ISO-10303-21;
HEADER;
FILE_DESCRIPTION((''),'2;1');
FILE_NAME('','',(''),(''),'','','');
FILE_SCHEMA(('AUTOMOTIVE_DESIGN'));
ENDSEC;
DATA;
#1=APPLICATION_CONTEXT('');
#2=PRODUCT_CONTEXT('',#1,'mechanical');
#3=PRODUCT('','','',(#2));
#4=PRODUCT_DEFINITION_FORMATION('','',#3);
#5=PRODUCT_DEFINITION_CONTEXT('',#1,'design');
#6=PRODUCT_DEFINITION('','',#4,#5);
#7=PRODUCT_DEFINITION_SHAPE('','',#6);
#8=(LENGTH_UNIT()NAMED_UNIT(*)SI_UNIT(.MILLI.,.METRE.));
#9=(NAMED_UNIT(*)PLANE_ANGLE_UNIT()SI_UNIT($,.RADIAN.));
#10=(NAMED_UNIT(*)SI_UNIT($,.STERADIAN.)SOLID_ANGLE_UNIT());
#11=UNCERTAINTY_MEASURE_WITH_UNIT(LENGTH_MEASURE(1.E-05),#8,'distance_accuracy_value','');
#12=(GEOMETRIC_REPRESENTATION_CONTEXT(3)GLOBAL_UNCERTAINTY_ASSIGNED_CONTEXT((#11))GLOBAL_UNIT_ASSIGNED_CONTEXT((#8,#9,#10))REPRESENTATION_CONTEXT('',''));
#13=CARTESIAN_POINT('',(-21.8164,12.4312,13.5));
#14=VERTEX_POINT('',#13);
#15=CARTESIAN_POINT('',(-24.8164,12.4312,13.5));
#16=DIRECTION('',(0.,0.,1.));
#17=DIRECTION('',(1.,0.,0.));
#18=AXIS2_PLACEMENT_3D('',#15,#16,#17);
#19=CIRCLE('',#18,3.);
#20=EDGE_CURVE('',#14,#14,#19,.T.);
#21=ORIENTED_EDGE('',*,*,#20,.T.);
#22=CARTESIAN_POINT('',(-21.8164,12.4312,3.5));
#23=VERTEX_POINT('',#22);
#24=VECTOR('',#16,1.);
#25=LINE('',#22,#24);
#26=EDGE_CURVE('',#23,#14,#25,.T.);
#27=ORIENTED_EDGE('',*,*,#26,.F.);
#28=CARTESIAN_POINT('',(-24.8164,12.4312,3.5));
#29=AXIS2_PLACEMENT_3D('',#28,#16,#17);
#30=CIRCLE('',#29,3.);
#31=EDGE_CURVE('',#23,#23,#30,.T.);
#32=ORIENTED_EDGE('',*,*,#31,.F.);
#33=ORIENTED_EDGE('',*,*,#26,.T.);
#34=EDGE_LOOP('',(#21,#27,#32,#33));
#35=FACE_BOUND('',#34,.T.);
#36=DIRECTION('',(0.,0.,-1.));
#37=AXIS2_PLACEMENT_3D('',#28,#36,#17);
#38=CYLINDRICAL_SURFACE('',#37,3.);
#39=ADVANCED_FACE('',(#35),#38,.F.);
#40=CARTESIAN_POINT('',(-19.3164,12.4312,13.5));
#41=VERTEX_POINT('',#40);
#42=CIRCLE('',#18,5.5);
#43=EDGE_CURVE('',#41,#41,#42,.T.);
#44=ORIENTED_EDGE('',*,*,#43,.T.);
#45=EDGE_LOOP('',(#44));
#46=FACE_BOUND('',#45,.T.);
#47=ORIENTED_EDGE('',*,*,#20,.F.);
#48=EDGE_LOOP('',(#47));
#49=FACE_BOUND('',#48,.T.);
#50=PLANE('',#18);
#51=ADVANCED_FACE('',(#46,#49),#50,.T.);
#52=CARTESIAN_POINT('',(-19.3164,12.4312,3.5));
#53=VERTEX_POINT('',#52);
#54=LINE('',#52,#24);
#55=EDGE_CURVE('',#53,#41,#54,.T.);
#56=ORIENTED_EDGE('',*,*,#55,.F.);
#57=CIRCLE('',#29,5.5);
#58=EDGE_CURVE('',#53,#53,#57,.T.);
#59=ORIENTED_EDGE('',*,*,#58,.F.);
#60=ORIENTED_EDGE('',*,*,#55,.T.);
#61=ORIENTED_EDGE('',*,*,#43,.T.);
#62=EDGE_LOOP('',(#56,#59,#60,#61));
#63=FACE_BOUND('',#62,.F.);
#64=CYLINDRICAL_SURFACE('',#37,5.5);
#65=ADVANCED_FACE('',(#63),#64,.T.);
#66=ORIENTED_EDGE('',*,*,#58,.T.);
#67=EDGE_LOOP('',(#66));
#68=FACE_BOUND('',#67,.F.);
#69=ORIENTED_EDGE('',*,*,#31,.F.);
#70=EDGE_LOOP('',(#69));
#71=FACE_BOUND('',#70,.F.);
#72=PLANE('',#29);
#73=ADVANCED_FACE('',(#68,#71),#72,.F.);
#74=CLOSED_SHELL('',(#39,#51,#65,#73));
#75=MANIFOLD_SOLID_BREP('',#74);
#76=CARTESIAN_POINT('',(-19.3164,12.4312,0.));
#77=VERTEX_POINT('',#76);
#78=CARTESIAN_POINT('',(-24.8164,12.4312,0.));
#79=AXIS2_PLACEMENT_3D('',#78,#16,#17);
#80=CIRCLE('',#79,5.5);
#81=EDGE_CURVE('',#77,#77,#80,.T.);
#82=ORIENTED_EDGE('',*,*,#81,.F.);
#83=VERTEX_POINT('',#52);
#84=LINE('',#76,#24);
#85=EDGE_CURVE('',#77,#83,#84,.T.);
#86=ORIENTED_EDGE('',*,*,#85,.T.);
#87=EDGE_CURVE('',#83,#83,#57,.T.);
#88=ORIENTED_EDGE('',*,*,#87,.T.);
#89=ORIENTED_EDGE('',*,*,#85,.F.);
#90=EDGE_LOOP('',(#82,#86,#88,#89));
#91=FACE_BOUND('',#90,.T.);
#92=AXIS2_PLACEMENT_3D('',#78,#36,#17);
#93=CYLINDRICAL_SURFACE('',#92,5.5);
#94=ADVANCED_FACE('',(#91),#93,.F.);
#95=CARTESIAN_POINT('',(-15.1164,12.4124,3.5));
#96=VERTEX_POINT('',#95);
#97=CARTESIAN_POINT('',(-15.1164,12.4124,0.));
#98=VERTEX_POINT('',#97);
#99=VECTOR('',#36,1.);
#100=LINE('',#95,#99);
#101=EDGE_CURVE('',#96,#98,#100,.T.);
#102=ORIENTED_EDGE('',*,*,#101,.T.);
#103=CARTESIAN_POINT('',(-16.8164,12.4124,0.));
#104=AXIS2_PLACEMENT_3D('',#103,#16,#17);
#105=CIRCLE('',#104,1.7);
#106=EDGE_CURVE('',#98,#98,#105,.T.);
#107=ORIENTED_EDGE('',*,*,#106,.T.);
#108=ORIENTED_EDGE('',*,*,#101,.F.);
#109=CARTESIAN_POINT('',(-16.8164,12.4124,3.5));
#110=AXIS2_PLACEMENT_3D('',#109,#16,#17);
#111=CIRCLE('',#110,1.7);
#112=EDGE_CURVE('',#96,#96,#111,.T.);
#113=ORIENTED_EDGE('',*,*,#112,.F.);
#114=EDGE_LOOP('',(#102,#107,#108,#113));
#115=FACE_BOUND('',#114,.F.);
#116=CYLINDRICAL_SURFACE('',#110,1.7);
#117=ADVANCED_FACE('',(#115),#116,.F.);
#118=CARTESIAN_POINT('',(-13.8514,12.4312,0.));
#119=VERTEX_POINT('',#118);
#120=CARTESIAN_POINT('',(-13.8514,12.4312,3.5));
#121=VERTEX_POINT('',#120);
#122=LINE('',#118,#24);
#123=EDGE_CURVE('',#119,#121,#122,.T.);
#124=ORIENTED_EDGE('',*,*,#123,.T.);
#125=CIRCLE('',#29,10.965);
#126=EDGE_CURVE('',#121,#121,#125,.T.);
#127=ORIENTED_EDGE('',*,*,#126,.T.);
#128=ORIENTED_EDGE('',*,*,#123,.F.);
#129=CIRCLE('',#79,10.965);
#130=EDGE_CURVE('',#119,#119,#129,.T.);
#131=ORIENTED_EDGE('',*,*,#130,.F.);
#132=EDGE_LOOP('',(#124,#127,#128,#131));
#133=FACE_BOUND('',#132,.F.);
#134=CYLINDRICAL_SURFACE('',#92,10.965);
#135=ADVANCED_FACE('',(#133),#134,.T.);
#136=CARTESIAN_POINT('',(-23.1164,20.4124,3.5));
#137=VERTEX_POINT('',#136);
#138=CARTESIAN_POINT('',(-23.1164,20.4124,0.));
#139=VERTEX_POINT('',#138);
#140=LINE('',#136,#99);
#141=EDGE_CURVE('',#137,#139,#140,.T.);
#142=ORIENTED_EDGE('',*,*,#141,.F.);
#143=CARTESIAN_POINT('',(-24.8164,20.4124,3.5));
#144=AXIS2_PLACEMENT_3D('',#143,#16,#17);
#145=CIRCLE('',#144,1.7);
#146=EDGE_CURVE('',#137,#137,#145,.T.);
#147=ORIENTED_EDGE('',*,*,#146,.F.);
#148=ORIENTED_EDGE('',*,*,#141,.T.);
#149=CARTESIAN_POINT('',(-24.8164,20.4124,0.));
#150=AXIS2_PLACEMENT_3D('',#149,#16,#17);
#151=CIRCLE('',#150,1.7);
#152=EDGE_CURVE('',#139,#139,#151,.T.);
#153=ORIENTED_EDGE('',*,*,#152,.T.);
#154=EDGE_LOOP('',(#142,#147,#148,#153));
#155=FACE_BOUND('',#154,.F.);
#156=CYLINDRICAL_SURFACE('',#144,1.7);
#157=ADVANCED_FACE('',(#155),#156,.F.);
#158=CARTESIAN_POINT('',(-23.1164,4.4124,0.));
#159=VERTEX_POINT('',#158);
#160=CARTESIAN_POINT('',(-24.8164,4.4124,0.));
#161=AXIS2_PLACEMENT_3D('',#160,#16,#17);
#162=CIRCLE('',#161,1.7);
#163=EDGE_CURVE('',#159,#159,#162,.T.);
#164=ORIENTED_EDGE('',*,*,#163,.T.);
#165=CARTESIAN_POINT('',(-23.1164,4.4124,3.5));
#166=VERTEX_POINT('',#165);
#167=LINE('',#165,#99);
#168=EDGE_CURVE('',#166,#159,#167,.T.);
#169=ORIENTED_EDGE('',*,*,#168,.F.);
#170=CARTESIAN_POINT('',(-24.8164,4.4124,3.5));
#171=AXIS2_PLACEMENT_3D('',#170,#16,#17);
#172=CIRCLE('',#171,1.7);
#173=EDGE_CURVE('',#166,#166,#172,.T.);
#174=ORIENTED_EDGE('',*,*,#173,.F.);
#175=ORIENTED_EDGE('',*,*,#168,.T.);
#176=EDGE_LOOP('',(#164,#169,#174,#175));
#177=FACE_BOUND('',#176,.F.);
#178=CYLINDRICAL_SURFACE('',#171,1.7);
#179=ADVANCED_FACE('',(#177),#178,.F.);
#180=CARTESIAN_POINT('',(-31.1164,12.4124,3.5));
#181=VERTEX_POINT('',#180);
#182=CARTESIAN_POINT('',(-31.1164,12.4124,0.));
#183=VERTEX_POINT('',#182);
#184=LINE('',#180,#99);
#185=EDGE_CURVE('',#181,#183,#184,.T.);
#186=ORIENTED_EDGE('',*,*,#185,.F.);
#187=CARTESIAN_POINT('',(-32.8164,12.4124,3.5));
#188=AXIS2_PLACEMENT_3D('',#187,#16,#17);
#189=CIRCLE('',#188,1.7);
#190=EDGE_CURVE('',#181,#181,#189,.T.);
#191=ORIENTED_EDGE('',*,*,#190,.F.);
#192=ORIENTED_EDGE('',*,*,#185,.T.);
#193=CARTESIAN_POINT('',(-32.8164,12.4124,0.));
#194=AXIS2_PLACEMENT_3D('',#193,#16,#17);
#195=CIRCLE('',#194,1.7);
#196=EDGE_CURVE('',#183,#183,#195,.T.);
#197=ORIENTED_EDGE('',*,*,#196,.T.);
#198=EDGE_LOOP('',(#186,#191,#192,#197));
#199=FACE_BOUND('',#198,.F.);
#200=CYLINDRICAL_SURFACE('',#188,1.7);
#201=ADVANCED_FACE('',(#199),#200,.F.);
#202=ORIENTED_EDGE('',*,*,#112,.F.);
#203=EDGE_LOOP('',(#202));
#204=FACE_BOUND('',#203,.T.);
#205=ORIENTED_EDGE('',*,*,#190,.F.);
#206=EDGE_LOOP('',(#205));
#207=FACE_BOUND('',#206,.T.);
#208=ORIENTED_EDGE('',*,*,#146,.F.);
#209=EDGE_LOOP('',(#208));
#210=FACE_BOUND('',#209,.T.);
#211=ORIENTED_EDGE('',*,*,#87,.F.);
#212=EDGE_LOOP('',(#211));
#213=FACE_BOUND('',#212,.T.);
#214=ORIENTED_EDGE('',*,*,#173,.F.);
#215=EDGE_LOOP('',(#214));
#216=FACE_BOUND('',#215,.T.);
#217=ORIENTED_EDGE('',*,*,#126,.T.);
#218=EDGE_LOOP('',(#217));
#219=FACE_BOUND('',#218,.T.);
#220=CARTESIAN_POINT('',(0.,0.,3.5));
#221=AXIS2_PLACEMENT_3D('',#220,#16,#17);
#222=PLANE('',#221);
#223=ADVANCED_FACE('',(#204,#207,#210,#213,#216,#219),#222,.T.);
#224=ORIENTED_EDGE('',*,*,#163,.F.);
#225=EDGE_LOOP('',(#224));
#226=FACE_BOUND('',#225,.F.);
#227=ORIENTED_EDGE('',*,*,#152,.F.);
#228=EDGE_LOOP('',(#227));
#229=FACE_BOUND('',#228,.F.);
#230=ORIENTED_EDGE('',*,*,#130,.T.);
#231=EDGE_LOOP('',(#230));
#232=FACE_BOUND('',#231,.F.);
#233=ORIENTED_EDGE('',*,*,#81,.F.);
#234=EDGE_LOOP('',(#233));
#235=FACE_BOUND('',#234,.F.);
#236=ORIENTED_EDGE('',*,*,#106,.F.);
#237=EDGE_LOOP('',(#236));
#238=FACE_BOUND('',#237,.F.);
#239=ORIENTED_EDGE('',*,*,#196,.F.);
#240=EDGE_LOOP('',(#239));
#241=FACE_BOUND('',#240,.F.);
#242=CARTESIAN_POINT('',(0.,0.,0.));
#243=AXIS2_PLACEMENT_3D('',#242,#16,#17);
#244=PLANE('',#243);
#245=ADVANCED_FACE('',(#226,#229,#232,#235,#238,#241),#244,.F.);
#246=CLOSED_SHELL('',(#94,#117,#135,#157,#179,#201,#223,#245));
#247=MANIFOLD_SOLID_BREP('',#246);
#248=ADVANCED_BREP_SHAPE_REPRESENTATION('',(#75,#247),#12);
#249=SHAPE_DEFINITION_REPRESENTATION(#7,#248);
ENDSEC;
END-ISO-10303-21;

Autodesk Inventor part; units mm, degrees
ref_plane "YZ Plane" through (0, 0, 0) normal (1, 0, 0) x (0, 1, 0)
ref_plane "XZ Plane" through (0, 0, 0) normal (0, 1, 0) x (-1, 0, 0)
ref_plane "XY Plane" through (0, 0, 0) normal (0, 0, 1) x (1, 0, 0)
sketch "Sketch1" plane through (0, 0, 0) normal (0, 0, 1) x (1, 0, 0)
  circle A0 centre (-24.8164, 12.4312) radius 5.5 projected
  circle A1 centre (-24.8164, 12.4312) radius 10.965
  circle A2 centre (-24.8164, 12.4312) radius 5.08
  point P0 (0, 0)
  dimension "d0" = 21.93
  dimension "d1" = 10.16
extrude "Extrusion1" add sketch "Sketch1" along normal blind 3.5 contours A1
sketch "Sketch2" plane through (-24.8164, 12.4312, 3.5) normal (0, 0, 1) x (1, 0, 0)
  circle A0 centre (0, 0) radius 3
  circle A1 centre (0, 0) radius 5.5
  point P0 (24.8164, -12.4312)
  dimension "d4" = 6
extrude "Extrusion2" add sketch "Sketch2" along normal blind 10
sketch "Sketch3" plane through (-24.8164, 12.4312, 3.5) normal (0, 0, 1) x (1, 0, 0)
  circle A0 centre (-8, -0.0188) radius 1.7 projected
  circle A1 centre (0, -8.0188) radius 1.7 projected
  circle A2 centre (8, -0.0188) radius 1.7 projected
  circle A3 centre (0, 7.9812) radius 1.7 projected
  point P0 (24.8164, -12.4312)
extrude "Extrusion3" cut sketch "Sketch3" against normal blind 10
thread "Thread1" size "M10x1.5" class "6H" standard "ANSI Metric M Profile" full length
properties part number "Brass-Nut"
